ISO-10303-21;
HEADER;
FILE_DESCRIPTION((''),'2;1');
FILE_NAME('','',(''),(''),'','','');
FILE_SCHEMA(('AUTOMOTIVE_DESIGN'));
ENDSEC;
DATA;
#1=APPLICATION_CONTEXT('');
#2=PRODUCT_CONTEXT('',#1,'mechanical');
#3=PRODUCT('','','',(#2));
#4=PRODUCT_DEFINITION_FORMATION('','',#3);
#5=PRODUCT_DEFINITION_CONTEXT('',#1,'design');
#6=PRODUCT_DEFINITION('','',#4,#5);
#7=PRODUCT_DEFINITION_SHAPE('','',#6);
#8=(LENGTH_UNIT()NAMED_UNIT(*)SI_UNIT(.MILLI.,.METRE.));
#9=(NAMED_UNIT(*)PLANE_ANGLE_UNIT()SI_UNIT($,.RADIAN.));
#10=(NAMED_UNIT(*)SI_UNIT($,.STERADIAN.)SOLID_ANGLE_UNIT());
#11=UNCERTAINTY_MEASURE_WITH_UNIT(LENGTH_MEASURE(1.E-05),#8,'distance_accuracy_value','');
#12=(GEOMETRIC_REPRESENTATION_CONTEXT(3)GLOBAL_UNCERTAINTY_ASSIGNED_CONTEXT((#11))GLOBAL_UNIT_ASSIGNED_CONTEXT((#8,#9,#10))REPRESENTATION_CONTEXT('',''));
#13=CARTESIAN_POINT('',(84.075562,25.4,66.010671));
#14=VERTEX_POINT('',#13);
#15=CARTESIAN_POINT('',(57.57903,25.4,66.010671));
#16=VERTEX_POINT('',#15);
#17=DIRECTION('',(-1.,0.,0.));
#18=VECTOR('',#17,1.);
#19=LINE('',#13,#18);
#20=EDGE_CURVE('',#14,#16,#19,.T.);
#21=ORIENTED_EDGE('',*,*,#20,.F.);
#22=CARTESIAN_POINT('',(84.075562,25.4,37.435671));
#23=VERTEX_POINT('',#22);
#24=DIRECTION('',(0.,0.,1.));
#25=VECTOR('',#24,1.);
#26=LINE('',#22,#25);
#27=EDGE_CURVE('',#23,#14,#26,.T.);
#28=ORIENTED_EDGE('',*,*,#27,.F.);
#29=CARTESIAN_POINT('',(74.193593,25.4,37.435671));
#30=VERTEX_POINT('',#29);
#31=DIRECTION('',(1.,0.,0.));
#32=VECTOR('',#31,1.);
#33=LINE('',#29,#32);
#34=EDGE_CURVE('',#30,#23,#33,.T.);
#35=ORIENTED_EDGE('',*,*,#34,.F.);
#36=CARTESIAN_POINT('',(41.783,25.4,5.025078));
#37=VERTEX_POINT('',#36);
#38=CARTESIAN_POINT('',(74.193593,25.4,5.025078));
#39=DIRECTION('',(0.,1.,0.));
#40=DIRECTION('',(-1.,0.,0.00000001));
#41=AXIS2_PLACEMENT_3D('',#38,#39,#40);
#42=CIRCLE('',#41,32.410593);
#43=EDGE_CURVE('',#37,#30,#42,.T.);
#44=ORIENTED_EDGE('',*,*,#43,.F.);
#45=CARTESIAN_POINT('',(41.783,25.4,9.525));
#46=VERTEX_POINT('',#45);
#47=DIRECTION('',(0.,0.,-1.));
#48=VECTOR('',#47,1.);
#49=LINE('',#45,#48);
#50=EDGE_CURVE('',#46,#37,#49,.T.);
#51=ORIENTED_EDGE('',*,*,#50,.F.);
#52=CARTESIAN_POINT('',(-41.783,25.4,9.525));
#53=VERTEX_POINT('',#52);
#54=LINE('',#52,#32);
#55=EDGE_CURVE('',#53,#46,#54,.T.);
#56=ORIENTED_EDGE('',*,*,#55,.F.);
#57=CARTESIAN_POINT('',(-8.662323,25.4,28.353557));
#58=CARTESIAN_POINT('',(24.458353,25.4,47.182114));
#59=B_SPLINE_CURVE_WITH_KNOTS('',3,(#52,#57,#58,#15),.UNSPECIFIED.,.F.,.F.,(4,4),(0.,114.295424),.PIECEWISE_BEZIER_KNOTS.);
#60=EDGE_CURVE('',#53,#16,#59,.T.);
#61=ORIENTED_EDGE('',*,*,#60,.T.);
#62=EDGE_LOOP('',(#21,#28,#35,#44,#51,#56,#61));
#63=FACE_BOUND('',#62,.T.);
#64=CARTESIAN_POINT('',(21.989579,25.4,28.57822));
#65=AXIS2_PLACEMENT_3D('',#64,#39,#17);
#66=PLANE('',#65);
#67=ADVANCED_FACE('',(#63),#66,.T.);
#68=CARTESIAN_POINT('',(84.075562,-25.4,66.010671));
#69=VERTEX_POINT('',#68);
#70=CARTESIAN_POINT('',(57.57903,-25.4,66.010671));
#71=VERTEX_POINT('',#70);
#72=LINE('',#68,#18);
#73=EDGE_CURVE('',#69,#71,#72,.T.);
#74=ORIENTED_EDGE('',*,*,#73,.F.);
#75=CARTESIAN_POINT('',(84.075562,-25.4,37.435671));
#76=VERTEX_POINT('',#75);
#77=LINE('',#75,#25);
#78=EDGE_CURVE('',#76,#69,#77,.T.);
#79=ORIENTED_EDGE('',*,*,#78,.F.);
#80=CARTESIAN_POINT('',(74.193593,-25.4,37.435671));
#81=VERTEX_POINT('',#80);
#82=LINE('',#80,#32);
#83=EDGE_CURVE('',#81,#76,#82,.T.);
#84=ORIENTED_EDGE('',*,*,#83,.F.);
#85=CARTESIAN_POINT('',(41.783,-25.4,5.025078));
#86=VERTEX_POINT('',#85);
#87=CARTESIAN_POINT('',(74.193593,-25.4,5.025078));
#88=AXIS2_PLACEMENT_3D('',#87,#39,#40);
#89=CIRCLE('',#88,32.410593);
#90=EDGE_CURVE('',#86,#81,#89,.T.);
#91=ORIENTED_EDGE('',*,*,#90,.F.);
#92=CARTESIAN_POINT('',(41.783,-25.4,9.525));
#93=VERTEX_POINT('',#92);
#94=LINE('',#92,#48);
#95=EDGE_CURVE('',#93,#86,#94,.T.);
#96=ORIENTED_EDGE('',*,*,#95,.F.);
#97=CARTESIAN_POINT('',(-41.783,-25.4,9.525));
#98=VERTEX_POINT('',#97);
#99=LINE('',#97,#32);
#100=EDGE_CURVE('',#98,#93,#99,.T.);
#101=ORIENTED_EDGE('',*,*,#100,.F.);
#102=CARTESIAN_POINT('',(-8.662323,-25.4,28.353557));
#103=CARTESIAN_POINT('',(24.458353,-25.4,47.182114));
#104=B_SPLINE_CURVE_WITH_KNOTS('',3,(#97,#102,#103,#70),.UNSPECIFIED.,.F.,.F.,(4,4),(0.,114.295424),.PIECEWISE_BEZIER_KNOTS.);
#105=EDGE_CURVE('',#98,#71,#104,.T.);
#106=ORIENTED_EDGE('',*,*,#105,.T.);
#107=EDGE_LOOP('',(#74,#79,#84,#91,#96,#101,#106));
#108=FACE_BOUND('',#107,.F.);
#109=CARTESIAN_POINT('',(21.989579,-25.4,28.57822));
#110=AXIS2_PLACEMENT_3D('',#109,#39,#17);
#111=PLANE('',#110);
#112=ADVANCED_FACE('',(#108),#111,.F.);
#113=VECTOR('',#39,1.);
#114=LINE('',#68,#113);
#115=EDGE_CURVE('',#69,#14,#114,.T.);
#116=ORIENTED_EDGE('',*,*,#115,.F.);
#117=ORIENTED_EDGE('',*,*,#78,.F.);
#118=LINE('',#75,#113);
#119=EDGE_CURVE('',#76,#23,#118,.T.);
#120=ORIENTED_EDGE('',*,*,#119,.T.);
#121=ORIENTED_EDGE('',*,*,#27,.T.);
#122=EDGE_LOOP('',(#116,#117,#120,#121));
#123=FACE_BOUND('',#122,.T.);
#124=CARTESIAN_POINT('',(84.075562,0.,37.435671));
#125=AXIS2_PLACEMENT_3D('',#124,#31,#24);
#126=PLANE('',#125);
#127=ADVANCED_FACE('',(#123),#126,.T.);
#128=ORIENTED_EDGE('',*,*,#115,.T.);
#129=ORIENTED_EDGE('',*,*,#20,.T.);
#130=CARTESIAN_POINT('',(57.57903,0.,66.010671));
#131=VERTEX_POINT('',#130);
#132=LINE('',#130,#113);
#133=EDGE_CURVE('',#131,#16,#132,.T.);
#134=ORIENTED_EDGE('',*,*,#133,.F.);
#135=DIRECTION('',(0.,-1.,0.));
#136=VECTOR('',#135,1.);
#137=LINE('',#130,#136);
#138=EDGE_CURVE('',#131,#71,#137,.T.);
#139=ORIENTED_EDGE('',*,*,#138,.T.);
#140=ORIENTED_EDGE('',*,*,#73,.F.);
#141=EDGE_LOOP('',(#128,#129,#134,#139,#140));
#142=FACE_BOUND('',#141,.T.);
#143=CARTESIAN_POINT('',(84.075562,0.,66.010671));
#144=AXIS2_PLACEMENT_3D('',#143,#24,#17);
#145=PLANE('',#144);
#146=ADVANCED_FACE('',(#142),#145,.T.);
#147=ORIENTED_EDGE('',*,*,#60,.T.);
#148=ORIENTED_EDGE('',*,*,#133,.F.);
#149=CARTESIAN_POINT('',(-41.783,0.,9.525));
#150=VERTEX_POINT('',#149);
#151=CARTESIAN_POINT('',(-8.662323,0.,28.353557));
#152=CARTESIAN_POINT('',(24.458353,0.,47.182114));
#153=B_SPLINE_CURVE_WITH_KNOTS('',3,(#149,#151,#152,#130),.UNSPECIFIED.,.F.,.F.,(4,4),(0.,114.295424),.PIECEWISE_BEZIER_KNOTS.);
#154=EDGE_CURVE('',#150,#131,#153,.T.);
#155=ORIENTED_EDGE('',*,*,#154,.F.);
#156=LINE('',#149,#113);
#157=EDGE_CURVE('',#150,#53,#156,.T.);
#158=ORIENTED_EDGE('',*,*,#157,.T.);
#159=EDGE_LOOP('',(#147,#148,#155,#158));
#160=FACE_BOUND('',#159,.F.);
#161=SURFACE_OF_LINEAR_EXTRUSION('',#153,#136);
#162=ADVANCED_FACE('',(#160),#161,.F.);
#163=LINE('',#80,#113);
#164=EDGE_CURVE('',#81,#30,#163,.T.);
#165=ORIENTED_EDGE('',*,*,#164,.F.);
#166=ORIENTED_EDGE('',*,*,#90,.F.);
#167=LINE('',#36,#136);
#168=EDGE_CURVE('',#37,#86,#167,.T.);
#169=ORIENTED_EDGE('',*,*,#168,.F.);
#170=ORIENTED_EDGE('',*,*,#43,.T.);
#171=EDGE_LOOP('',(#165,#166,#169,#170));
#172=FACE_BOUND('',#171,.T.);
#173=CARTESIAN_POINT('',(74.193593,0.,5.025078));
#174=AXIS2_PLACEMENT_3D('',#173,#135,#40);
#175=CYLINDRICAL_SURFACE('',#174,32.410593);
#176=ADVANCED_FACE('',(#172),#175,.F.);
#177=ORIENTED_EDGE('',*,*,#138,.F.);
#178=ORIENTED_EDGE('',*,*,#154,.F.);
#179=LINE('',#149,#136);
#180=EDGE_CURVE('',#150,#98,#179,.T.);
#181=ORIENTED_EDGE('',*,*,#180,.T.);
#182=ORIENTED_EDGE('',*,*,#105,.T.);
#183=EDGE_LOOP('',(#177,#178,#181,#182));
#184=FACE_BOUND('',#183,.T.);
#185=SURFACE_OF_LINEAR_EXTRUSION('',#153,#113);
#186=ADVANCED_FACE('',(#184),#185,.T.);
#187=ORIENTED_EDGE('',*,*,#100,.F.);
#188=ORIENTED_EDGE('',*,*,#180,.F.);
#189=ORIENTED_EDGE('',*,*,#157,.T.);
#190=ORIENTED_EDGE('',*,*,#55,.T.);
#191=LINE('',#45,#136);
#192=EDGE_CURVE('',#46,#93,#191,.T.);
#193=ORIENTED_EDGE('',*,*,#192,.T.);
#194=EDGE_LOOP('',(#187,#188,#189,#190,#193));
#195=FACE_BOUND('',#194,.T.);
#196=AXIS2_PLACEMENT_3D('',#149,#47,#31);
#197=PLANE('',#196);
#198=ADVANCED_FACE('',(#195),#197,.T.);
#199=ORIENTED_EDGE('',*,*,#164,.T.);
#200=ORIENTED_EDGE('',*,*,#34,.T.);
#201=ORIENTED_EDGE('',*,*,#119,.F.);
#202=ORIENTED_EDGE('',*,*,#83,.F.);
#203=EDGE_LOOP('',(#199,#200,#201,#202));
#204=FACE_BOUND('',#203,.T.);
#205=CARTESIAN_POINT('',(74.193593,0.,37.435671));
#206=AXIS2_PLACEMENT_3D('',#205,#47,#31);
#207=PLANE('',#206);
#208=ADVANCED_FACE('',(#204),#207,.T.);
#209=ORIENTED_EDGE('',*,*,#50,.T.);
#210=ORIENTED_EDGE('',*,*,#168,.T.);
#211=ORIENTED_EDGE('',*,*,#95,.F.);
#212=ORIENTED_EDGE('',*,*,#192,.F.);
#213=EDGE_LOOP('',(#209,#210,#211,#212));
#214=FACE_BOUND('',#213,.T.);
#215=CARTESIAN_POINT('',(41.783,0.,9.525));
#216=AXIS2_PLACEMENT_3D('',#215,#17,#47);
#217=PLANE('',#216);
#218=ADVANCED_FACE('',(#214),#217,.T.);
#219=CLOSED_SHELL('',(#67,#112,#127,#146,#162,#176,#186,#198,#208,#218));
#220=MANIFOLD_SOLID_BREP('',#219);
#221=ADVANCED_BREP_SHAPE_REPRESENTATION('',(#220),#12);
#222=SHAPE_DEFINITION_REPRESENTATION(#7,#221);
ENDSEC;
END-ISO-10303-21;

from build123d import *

# Parameters (mm, degrees)
F1_DEPTH = 25.4


with BuildPart() as f1:
    # F0 (on Front) → F1 (new body, symmetric)
    with BuildSketch(Plane.XZ):
        with BuildLine():
            add(Edge.make_bspline(
                [(-41.783, 9.525), (-8.662323, 28.353557), (24.458353, 47.182114), (57.57903, 66.010671)],
                knots=[0, 0, 0, 0, 114.295424, 114.295424, 114.295424, 114.295424], degree=3))
            Line((-41.783, 9.525), (41.783, 9.525))
            Line((41.783, 9.525), (41.783, 5.025078))
            ThreePointArc((41.783, 5.025078), (51.275843, 27.942828), (74.193593, 37.435671))
            Line((74.193593, 37.435671), (71.574898, 37.435671))
            Line((71.574898, 37.435671), (57.57903, 37.435671))
            Line((57.57903, 37.435671), (57.57903, 66.010671))
        make_face()
        Polygon((84.075562, 66.010671), (57.57903, 66.010671), (57.57903, 37.435671), (71.574898, 37.435671), (74.193593, 37.435671), (84.075562, 37.435671), align=None)
    extrude(amount=F1_DEPTH, both=True)


solid = f1.part
